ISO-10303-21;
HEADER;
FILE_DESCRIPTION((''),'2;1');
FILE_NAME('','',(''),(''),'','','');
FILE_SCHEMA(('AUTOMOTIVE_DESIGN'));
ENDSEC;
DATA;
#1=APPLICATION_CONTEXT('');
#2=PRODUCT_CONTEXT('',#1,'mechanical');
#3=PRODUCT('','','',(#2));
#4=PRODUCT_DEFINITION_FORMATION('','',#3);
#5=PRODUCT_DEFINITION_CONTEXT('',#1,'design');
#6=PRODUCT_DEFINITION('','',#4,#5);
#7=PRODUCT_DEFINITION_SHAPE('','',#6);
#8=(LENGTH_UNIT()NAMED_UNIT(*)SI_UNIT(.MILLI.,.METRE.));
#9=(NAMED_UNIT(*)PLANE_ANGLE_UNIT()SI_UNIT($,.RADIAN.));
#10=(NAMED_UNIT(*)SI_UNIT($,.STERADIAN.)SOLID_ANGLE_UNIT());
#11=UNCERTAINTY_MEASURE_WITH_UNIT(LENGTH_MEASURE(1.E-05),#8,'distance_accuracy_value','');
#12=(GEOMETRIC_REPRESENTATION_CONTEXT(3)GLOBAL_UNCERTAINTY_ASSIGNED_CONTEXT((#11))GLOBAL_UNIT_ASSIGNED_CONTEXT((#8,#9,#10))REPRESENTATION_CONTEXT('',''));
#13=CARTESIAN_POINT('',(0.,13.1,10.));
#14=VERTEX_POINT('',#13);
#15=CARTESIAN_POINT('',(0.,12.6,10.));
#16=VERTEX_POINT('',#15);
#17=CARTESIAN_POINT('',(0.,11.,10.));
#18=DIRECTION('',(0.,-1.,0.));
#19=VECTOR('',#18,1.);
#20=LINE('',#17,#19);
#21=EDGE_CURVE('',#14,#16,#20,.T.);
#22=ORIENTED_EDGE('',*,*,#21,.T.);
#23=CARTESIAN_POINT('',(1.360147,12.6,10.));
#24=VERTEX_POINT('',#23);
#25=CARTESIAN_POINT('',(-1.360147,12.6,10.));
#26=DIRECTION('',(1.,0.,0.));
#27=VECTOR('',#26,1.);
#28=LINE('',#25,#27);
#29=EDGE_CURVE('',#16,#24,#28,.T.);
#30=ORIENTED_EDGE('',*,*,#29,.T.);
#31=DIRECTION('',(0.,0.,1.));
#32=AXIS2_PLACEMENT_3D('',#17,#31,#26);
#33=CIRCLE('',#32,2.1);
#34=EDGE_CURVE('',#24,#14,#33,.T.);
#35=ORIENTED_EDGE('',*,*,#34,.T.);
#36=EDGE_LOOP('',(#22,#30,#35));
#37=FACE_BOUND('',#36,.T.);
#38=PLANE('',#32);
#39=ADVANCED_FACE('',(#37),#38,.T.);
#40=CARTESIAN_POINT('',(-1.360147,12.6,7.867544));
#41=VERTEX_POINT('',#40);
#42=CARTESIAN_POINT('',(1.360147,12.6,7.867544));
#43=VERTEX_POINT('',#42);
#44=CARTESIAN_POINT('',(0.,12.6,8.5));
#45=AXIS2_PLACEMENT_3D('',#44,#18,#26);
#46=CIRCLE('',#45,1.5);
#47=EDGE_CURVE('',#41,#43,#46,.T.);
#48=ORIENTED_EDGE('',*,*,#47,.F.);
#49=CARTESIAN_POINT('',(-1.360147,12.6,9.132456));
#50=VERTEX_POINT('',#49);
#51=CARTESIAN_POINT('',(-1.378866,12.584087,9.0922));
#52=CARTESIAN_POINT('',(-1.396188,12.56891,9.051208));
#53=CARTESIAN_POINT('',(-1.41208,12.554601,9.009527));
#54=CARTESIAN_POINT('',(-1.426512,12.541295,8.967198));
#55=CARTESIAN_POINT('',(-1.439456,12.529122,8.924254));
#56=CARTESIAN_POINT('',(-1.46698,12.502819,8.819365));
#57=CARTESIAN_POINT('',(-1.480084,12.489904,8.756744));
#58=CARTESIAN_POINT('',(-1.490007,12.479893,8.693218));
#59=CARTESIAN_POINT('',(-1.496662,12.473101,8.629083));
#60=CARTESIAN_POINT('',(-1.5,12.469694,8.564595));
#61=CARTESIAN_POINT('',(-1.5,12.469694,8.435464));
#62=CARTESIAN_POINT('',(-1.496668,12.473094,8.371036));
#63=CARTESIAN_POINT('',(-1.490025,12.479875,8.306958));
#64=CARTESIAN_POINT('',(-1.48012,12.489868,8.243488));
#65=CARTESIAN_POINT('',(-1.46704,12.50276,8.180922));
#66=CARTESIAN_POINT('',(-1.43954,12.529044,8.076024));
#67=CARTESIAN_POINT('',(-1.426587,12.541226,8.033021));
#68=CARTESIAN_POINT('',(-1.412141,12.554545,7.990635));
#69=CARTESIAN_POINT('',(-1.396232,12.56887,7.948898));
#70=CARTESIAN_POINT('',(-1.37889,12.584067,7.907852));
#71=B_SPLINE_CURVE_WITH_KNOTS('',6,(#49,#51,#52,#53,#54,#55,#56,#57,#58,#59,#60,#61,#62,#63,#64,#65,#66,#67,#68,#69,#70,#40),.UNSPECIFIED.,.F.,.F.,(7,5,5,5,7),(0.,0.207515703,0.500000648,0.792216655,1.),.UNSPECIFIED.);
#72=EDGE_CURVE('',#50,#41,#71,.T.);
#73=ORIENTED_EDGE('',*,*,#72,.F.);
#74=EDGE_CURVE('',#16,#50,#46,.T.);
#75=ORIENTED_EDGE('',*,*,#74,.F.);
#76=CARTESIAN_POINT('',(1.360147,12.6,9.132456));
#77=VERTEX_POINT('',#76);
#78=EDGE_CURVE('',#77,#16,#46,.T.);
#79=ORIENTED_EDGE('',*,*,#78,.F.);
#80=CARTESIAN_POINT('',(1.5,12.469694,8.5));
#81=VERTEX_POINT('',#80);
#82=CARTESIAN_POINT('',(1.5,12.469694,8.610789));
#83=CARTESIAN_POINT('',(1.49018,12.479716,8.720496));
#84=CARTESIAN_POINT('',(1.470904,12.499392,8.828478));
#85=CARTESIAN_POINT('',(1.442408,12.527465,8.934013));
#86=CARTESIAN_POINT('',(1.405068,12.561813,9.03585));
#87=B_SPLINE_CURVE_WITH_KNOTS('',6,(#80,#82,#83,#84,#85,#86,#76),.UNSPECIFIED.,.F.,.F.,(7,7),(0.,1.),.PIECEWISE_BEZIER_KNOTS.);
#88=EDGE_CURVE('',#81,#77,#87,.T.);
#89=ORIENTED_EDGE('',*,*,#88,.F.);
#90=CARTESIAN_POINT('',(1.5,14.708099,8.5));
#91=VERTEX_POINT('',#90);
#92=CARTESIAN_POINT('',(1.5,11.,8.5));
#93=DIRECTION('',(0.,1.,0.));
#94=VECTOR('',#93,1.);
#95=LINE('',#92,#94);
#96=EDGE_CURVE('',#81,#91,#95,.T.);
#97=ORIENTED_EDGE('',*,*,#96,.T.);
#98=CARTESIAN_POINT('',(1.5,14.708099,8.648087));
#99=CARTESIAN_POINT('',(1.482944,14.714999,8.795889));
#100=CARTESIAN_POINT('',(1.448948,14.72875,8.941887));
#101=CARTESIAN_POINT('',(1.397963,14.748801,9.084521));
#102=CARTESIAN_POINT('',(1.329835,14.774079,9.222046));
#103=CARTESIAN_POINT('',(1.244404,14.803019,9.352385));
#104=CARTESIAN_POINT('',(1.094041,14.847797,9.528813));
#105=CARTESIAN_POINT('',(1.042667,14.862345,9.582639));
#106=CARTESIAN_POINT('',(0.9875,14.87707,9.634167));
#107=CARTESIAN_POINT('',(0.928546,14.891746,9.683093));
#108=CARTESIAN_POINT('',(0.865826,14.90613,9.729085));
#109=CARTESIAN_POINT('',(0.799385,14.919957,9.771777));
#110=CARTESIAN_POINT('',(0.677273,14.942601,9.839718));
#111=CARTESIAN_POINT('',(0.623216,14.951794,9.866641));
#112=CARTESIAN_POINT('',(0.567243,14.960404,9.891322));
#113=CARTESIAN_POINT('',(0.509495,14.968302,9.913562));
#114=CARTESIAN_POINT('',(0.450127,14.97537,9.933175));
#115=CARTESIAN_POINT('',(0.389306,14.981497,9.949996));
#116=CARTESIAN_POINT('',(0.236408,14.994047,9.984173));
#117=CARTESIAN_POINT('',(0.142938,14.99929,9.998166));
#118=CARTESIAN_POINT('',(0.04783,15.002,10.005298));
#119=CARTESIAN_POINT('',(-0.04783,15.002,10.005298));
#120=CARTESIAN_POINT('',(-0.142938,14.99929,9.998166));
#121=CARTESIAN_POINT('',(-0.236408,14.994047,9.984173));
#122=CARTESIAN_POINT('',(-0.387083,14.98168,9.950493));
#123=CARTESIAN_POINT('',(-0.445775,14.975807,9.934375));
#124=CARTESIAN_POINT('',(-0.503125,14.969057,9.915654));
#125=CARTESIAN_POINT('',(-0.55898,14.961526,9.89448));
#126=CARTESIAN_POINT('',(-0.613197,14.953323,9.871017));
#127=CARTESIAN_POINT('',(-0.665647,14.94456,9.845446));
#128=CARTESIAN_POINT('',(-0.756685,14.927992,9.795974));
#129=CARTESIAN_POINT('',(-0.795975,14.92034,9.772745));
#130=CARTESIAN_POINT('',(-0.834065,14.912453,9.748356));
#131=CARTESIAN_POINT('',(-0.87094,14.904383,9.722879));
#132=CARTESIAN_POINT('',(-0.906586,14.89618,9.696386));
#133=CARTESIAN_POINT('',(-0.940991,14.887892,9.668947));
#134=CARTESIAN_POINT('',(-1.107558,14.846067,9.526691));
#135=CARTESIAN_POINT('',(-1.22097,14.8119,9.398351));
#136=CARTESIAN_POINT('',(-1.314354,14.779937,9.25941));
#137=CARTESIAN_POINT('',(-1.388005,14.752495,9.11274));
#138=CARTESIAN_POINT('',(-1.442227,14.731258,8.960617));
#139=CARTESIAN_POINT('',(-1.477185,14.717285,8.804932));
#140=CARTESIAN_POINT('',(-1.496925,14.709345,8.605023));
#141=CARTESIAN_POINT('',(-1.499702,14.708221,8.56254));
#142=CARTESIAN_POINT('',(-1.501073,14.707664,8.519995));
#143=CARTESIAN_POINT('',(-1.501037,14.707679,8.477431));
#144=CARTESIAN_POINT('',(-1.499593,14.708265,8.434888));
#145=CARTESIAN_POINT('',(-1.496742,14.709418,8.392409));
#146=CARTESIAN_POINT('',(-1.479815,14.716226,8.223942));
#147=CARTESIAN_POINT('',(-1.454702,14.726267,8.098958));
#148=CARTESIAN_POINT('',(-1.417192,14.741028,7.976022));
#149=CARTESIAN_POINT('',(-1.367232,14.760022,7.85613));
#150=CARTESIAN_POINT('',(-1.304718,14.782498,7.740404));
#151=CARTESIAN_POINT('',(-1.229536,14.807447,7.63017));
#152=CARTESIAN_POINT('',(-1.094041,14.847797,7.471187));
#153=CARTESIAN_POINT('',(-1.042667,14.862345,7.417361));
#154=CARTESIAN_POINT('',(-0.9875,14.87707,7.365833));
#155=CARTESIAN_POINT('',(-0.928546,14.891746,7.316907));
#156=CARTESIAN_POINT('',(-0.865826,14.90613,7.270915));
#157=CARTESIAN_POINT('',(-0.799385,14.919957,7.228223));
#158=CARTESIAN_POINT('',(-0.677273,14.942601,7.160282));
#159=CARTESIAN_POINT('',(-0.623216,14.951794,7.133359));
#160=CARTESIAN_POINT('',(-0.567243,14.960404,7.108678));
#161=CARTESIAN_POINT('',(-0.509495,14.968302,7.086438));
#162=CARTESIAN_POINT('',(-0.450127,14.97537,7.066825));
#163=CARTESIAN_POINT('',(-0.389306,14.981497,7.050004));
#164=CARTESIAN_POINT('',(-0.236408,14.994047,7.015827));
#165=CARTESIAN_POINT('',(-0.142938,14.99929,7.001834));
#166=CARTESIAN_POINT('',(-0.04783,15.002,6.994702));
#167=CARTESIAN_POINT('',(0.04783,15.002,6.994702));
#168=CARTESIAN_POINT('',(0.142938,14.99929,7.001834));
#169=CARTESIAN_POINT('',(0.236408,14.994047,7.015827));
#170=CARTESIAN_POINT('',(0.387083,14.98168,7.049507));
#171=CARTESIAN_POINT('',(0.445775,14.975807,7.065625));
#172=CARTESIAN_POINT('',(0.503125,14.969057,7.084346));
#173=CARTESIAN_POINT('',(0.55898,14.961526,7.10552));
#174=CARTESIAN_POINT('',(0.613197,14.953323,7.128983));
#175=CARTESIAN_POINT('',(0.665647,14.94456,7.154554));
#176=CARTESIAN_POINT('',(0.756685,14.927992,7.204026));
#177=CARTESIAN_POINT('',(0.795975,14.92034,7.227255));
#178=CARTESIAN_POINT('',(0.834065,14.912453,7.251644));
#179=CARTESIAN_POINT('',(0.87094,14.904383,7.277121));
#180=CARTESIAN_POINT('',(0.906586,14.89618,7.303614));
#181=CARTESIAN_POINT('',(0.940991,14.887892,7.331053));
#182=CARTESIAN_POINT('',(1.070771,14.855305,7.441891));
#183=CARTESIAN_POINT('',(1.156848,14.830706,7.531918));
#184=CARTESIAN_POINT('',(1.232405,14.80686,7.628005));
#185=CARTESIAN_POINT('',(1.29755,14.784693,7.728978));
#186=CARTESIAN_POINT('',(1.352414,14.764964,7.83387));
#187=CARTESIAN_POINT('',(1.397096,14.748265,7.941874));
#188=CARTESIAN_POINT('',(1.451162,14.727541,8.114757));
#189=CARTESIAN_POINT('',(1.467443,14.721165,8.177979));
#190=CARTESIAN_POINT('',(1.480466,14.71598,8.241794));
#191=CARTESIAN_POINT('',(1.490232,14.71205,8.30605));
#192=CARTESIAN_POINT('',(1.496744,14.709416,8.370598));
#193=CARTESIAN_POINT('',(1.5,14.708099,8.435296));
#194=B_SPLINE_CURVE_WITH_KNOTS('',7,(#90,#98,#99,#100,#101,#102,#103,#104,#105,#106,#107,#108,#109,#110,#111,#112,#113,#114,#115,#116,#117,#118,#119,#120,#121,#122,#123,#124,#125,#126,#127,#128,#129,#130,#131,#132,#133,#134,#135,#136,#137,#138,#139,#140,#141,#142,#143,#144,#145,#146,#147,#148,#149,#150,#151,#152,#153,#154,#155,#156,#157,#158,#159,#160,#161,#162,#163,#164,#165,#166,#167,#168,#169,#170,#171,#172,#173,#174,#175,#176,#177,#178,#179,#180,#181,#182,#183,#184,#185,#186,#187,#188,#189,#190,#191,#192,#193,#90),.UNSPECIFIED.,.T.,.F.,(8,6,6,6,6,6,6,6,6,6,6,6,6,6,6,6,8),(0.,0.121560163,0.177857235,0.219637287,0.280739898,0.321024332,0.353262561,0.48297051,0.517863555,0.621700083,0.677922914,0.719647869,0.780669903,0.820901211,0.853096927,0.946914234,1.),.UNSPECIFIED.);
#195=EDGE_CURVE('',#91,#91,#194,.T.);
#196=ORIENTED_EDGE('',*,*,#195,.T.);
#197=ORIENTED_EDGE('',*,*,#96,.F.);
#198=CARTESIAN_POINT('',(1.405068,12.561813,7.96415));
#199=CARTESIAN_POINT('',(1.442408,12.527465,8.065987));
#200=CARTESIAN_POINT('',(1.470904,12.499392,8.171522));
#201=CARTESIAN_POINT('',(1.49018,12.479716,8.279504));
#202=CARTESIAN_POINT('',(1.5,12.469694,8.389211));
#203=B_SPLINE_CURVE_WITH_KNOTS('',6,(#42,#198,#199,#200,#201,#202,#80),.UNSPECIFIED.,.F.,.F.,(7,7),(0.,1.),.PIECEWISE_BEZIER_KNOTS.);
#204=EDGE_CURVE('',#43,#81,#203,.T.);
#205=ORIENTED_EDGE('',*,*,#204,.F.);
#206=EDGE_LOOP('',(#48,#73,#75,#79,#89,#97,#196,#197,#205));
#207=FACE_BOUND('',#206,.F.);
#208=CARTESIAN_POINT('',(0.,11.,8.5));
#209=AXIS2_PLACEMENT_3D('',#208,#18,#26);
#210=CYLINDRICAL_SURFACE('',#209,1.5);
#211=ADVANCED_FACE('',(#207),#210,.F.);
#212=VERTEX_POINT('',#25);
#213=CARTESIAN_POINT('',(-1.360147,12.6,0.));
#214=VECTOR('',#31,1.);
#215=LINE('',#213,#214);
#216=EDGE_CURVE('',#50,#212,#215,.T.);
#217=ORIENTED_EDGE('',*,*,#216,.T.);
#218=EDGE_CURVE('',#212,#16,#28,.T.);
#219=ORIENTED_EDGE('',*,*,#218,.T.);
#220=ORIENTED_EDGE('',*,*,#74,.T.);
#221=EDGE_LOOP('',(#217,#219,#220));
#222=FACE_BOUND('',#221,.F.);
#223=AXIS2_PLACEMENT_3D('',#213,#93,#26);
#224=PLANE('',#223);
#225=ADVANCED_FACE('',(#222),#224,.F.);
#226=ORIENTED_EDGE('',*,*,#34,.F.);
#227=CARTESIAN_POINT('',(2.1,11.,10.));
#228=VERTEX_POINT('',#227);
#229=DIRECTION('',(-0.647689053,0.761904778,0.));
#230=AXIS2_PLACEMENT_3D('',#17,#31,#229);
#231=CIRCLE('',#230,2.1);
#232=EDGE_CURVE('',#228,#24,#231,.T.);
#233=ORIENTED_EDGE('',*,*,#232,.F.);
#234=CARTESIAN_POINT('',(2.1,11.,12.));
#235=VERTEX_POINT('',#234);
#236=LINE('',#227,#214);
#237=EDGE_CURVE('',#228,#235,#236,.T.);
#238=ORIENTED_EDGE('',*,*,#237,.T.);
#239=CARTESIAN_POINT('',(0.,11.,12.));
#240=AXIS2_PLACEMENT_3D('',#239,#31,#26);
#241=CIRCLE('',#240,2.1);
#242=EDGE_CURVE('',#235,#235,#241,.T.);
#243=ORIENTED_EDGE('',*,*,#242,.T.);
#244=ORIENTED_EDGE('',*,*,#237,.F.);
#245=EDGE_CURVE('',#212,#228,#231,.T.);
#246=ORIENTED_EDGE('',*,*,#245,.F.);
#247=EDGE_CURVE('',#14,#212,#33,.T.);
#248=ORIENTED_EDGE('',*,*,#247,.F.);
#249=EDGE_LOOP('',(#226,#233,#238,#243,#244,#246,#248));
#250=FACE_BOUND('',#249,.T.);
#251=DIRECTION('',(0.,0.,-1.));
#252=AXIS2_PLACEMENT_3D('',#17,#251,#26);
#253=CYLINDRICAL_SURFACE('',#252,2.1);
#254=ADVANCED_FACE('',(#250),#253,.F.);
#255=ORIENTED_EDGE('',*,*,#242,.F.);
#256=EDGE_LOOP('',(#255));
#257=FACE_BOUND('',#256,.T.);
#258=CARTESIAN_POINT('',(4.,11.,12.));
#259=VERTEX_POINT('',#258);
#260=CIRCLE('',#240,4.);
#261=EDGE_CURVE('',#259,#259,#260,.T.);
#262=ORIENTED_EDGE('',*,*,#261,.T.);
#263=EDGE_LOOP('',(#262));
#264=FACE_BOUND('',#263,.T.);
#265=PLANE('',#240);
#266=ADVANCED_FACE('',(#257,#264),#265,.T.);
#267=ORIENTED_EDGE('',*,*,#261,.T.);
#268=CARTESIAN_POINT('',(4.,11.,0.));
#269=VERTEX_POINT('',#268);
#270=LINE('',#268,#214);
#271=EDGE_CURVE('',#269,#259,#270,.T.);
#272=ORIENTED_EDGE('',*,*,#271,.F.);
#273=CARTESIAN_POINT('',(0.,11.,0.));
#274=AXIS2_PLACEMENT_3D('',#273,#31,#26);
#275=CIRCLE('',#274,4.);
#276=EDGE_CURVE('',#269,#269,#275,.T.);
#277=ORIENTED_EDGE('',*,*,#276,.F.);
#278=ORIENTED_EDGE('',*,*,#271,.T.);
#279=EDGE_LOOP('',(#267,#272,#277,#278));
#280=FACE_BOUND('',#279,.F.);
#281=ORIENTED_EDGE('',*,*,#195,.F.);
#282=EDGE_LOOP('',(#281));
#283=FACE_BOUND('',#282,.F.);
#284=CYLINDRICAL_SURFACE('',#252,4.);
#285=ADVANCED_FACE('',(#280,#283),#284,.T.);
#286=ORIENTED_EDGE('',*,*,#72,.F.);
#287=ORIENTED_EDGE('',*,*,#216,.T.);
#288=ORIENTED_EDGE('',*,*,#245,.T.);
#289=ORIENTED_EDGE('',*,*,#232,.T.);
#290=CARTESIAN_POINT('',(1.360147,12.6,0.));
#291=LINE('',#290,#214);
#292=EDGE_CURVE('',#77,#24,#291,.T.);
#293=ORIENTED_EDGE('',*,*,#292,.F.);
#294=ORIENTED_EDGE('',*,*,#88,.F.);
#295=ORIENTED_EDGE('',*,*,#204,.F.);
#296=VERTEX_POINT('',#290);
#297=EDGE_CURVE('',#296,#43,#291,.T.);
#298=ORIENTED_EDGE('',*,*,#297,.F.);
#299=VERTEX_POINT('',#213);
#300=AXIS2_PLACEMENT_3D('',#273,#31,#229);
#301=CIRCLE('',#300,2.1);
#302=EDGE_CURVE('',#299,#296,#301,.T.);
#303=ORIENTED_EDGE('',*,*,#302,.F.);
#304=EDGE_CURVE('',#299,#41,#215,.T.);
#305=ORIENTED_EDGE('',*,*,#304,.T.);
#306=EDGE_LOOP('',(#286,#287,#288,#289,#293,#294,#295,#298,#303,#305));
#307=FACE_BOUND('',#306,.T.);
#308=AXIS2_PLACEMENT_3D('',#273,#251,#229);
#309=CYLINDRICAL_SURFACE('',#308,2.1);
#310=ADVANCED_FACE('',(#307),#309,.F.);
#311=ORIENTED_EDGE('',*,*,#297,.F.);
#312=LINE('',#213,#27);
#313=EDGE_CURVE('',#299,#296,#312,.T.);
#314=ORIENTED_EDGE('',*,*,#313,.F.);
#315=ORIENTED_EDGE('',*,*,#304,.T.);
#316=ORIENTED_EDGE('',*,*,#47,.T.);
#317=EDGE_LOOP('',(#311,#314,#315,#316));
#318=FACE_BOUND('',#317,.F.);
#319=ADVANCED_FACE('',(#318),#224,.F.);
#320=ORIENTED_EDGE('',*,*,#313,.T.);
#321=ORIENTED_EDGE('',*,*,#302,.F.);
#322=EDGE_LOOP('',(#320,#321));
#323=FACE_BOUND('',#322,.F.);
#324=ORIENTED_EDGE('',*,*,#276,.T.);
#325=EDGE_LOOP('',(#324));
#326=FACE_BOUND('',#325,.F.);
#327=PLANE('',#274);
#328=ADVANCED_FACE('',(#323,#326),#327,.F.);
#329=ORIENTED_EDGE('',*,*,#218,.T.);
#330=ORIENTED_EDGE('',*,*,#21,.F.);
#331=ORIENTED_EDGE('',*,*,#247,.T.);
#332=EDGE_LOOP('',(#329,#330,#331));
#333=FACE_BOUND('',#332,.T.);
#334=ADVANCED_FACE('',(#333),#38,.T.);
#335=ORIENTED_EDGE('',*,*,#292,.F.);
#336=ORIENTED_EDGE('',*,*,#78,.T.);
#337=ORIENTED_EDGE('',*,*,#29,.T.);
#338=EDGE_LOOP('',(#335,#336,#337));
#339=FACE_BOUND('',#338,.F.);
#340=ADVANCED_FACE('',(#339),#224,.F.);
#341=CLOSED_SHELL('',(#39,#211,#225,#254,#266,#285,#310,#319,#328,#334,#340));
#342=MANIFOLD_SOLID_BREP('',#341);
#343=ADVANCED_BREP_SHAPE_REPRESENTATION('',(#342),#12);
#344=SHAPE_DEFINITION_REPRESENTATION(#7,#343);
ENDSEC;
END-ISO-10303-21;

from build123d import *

# Parameters (mm, degrees)
SKETCH271_R     = 4
PAD109_DEPTH    = 10
SKETCH272_R     = 4
SKETCH272_R_2   = 2.1
PAD110_DEPTH    = 2
SKETCH273_R     = 1.5
POCKET132_DEPTH = 4.001


with BuildPart() as part:
    # Sketch271 → Pad109 (new body)
    with BuildSketch(Plane.XY):
        Circle(SKETCH271_R)
        with BuildLine():
            Line((-1.360147, 1.6), (1.360147, 1.6))
            ThreePointArc((-1.360147, 1.6), (0, -2.1), (1.360147, 1.6))
        make_face(mode=Mode.SUBTRACT)
    extrude(amount=PAD109_DEPTH)

    # Sketch272 (on Face5 of Pad109) → Pad110 (join)
    with BuildSketch(Plane.XY.offset(10)):
        Circle(SKETCH272_R)
        Circle(SKETCH272_R_2, mode=Mode.SUBTRACT)
    extrude(amount=PAD110_DEPTH)

    # Sketch273 → Pocket132 (cut, through all)
    with BuildSketch(Plane.XZ):
        with Locations((0, 8.5)):
            Circle(SKETCH273_R)
    extrude(amount=-POCKET132_DEPTH, mode=Mode.SUBTRACT)


with BuildPart() as part_1:
    # Body097 placement: moved
    add(part.part.moved(Location((0, 11, 0))))


solid = part_1.part
